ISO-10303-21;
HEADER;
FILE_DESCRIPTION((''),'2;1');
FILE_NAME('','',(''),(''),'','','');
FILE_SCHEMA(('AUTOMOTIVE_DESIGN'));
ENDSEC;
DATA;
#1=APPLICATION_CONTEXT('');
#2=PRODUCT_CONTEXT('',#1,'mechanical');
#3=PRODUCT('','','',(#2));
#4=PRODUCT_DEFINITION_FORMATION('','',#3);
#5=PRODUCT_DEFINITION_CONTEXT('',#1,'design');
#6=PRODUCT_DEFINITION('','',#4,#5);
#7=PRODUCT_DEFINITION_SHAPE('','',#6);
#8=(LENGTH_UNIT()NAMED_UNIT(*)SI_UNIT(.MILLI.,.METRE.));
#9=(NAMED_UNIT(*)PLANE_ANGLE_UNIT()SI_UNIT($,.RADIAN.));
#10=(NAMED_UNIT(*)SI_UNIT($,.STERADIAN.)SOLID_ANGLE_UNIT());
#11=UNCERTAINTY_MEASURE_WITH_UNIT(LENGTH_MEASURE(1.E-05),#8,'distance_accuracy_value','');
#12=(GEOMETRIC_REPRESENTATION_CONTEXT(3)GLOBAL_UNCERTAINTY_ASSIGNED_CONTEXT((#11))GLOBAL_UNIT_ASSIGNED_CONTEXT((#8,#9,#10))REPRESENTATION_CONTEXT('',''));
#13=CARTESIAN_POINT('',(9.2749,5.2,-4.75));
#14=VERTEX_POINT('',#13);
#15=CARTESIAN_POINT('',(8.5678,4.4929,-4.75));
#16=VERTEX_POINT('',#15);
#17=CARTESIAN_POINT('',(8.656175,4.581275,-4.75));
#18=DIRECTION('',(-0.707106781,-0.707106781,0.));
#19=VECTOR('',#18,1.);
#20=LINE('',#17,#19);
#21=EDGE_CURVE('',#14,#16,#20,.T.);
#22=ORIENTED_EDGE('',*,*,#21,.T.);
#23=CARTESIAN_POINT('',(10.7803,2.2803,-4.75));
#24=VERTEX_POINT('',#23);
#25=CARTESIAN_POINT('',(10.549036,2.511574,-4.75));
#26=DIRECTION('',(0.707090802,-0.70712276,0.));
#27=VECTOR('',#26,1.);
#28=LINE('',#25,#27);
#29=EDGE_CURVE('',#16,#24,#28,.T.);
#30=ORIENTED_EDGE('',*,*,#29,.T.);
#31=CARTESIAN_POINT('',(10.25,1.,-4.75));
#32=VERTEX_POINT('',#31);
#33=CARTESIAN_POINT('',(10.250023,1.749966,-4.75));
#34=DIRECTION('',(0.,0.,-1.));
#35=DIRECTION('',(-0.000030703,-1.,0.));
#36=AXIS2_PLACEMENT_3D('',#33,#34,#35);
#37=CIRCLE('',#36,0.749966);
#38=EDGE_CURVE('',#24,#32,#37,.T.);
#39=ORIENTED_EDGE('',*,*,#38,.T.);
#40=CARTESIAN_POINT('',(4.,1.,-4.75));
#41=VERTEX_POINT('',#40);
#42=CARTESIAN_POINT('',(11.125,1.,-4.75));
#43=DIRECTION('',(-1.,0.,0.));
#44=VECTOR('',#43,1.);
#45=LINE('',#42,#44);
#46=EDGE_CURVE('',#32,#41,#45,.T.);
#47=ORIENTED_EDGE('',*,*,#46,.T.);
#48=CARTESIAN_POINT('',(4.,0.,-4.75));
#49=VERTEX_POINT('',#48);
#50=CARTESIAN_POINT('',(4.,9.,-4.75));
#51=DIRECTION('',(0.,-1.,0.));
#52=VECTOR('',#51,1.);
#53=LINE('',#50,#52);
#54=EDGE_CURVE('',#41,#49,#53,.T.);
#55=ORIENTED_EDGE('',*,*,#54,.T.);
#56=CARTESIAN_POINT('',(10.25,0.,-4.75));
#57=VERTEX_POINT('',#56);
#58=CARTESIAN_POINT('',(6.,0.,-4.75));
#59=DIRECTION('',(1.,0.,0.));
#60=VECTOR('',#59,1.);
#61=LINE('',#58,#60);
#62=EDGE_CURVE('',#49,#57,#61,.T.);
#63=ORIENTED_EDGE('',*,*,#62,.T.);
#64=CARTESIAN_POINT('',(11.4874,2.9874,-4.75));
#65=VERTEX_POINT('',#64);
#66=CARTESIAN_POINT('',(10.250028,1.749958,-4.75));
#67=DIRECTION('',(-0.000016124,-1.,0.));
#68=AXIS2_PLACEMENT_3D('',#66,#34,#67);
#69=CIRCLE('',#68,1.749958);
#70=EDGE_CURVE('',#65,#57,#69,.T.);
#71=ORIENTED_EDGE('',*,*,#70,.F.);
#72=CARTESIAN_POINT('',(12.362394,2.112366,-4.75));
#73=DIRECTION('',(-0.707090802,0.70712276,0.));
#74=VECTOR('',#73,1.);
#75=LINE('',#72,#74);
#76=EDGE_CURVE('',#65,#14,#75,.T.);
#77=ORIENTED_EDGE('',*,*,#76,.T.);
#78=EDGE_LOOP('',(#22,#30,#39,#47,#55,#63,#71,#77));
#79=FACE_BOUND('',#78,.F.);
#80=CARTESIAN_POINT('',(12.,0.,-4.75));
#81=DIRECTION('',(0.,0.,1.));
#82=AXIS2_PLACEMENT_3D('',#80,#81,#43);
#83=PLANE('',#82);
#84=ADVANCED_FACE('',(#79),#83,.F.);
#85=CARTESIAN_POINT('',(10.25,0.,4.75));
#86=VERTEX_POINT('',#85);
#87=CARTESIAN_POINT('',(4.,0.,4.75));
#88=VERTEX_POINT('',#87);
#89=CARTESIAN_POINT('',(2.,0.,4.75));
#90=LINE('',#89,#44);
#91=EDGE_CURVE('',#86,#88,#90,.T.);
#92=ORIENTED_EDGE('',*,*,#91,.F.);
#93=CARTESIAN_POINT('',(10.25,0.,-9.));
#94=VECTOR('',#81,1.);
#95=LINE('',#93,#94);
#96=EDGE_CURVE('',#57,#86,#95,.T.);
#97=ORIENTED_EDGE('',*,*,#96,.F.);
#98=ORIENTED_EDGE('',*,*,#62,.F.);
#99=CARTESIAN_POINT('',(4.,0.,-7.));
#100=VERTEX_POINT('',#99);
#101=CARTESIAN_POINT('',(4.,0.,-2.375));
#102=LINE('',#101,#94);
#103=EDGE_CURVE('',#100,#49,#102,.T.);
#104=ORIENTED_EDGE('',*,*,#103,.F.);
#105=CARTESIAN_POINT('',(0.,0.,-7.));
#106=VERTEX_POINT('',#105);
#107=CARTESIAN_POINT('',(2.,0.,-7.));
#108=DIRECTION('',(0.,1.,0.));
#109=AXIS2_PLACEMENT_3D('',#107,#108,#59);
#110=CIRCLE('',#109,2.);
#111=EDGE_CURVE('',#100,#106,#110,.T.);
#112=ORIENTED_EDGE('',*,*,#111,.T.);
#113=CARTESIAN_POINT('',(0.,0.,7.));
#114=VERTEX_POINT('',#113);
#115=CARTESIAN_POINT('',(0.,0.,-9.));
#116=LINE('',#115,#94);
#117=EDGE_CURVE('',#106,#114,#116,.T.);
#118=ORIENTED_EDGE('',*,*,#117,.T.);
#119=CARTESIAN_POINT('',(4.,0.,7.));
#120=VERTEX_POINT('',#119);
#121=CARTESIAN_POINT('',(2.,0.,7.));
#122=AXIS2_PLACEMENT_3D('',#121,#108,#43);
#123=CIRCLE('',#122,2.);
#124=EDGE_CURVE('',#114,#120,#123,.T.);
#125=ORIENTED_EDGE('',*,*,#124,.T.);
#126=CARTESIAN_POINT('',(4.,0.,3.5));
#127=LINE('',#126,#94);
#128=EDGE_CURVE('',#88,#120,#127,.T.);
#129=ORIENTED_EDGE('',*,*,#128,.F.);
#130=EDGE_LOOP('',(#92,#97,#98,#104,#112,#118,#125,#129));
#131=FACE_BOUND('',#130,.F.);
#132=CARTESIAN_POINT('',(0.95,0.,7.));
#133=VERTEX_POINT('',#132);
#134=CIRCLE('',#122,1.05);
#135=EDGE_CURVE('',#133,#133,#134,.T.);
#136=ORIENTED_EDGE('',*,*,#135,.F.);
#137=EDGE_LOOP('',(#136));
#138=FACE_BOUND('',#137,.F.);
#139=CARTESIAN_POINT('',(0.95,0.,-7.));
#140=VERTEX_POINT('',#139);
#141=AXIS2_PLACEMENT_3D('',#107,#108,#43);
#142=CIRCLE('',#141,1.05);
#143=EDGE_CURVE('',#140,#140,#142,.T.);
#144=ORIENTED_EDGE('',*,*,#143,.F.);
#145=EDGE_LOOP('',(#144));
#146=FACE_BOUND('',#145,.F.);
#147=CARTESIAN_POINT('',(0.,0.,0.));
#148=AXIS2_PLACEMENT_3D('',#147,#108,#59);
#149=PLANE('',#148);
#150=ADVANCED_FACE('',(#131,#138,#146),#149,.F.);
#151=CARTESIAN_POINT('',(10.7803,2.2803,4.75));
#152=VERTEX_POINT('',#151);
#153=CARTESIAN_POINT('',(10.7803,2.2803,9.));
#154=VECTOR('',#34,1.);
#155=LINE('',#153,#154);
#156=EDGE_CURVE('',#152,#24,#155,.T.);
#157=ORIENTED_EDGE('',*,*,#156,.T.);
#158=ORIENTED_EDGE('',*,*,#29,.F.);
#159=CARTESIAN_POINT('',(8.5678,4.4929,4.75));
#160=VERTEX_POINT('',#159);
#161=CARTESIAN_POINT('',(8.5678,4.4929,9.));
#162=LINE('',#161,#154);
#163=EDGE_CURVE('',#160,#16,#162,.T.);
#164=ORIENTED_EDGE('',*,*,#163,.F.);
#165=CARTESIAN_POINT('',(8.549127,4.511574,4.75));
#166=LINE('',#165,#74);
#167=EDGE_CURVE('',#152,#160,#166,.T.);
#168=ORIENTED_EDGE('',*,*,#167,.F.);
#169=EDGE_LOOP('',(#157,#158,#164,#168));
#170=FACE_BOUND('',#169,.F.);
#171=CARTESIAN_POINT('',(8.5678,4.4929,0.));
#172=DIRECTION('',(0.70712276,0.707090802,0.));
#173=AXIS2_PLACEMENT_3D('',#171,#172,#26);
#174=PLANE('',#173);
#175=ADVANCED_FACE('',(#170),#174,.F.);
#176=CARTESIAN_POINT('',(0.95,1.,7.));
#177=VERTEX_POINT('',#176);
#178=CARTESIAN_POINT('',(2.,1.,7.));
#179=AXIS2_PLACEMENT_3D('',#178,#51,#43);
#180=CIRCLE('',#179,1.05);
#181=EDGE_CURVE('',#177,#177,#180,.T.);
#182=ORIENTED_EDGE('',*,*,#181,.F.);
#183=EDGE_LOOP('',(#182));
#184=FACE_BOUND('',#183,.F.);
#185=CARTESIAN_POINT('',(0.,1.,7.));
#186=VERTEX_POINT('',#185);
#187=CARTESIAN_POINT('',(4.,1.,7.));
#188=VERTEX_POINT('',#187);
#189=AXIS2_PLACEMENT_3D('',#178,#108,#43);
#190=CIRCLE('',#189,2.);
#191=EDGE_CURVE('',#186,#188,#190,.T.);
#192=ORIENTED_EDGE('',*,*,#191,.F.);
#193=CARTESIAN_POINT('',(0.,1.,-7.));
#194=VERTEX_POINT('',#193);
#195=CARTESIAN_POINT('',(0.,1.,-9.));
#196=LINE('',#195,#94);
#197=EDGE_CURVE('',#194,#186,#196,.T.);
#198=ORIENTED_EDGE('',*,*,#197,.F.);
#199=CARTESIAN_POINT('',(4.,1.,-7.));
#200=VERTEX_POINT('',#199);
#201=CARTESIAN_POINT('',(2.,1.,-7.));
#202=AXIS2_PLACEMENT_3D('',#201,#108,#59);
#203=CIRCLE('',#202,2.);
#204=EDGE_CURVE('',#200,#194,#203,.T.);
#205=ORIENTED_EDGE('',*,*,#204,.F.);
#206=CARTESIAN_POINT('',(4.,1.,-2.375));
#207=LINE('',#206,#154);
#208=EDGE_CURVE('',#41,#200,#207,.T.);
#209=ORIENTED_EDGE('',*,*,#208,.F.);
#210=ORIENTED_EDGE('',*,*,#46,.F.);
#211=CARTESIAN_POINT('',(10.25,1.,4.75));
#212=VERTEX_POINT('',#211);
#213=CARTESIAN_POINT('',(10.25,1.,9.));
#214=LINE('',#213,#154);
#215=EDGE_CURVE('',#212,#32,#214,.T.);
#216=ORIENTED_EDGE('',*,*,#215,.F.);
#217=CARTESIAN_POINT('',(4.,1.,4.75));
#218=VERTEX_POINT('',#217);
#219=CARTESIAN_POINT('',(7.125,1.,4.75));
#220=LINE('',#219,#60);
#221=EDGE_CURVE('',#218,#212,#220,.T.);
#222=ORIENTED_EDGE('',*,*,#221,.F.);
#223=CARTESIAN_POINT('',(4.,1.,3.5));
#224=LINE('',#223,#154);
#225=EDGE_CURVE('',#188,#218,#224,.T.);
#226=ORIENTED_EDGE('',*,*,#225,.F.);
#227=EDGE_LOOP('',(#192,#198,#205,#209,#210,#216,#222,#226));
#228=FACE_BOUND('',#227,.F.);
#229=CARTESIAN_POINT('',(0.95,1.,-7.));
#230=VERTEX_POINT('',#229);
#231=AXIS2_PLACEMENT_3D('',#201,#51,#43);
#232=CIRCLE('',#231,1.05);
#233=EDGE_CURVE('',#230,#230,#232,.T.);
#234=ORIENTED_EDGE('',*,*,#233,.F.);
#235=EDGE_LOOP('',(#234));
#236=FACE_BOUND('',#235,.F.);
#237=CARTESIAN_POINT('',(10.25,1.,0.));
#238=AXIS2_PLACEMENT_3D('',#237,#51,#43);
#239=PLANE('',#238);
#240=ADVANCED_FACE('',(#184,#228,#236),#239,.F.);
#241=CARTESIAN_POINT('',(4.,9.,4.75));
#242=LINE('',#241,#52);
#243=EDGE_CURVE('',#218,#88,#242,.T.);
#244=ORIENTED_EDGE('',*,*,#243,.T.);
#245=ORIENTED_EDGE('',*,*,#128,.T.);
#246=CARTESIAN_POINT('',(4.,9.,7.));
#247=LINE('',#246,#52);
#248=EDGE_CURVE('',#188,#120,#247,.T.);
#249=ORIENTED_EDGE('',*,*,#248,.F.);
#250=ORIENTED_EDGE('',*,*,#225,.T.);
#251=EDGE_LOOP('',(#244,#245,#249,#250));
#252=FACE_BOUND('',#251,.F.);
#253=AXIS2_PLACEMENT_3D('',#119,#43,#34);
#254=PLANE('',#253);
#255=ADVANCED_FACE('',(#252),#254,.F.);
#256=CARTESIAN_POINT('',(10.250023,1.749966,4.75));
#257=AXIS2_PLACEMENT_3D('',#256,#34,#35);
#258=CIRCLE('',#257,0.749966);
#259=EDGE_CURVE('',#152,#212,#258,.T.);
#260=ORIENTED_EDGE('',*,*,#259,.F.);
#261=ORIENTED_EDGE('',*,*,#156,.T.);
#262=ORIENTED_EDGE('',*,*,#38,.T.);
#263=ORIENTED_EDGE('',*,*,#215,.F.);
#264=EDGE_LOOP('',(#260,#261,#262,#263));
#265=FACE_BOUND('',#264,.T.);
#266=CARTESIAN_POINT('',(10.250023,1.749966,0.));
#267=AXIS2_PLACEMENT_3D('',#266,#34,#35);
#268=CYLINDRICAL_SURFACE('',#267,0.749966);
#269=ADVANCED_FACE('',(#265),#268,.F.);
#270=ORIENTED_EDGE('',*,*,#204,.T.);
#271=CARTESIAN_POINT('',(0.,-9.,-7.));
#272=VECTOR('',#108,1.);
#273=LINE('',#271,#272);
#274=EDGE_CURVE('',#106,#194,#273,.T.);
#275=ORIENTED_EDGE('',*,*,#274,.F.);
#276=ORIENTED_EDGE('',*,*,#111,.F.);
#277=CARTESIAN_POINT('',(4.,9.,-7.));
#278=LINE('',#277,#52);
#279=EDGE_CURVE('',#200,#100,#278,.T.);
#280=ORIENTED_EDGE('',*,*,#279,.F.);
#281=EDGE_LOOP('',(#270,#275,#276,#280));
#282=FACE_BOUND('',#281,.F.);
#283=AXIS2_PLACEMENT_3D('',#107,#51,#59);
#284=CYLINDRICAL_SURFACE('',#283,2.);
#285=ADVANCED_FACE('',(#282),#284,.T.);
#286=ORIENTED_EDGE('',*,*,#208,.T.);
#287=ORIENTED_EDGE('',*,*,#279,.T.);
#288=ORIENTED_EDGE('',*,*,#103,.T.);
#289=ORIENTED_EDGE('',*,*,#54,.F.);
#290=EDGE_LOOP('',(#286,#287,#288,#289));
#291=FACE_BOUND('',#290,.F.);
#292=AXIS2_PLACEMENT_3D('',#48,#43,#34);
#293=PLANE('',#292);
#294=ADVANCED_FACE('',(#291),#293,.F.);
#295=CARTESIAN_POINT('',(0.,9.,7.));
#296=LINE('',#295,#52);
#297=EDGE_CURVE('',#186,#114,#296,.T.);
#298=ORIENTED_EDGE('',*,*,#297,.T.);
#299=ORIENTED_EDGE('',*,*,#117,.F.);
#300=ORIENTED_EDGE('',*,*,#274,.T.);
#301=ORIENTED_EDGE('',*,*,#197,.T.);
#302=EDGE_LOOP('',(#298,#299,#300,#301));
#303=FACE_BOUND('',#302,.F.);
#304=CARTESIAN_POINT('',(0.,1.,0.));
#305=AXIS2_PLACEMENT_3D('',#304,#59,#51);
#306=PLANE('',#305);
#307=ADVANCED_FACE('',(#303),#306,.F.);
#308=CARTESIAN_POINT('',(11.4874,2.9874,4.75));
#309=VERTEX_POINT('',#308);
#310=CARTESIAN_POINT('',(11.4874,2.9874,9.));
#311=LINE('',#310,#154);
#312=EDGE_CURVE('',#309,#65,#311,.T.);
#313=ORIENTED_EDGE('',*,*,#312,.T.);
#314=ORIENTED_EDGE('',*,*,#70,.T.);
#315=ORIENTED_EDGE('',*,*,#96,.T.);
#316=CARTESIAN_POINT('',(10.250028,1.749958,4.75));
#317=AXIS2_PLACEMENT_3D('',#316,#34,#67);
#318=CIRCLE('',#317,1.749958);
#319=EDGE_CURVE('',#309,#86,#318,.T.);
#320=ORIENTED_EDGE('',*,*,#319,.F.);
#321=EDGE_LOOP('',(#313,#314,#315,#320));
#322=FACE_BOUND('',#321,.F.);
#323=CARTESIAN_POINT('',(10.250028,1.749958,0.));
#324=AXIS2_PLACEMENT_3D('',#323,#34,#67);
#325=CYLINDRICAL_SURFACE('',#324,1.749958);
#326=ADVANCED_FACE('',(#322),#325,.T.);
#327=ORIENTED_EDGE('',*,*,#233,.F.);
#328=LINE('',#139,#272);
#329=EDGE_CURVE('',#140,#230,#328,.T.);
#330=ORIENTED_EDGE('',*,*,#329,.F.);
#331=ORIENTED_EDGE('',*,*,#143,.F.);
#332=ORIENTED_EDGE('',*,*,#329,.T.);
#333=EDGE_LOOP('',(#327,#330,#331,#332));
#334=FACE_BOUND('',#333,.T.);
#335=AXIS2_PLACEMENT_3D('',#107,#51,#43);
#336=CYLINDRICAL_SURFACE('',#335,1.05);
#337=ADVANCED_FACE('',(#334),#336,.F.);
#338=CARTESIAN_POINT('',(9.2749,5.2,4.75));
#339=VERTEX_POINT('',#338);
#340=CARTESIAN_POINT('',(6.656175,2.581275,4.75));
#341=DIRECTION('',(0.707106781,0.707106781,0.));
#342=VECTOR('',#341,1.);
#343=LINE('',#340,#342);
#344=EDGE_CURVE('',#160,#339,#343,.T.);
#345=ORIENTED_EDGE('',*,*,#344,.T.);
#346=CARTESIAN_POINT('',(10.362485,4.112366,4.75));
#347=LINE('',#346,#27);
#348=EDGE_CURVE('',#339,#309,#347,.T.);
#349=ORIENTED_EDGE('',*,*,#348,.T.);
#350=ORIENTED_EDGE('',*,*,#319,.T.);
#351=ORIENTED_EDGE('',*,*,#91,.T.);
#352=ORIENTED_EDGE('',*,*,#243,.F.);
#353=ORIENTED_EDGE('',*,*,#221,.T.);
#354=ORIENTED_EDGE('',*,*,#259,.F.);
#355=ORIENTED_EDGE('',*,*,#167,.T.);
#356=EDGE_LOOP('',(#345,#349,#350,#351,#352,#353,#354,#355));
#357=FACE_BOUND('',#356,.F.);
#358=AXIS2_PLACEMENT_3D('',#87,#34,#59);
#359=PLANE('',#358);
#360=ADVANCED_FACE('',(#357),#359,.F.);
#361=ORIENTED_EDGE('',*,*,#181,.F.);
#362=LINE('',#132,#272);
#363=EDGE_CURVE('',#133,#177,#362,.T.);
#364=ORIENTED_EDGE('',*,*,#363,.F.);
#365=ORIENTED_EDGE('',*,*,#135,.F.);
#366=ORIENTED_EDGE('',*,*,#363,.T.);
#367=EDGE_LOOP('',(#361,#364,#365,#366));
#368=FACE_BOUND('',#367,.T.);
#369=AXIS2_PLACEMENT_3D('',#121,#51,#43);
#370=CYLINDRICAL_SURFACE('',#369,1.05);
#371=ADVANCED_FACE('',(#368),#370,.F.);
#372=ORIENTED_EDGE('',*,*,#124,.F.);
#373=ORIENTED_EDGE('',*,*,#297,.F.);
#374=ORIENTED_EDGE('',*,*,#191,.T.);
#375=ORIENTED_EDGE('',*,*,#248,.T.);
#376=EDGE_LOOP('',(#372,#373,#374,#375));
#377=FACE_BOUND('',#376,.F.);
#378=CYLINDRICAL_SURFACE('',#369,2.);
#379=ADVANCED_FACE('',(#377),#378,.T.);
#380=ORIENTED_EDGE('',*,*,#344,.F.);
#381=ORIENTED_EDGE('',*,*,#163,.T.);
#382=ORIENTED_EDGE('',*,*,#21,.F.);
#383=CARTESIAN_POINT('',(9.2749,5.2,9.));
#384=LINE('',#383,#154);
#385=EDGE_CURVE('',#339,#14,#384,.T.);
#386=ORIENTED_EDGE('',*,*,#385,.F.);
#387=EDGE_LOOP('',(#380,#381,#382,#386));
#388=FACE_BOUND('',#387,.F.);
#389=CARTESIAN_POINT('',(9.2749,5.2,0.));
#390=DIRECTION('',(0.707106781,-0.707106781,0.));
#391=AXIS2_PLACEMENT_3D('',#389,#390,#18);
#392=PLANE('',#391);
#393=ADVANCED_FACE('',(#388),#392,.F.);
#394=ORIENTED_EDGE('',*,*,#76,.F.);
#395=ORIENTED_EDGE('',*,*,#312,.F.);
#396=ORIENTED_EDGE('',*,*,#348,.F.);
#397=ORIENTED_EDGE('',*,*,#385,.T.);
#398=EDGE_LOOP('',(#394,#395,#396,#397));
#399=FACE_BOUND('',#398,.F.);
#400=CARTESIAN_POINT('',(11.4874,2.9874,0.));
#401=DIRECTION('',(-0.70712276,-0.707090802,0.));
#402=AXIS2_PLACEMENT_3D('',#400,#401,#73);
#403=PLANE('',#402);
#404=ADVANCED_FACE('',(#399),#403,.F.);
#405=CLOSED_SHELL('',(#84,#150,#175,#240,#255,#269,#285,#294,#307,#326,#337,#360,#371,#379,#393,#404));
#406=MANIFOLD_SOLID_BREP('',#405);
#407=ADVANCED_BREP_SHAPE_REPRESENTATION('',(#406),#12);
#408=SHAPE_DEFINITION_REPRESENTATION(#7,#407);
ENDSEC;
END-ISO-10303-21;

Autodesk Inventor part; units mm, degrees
sketch "Sketch_1" plane through (0, 0, 0) normal (0, 0, 1) x (1, 0, 0)
  line L0 (0, 1) -> (0, 0)
  line L1 (0, 0) -> (10.25, 0)
  arc A0 (10.25, 0) -> (11.4874, 2.9874) centre (10.25, 1.75) ccw
  line L2 (11.4874, 2.9874) -> (9.2749, 5.2)
  line L3 (9.2749, 5.2) -> (8.5678, 4.4929)
  line L4 (8.5678, 4.4929) -> (10.7803, 2.2803)
  arc A1 (10.25, 1) -> (10.7803, 2.2803) centre (10.25, 1.75) ccw
  line L5 (10.25, 1) -> (0, 1)
extrude "Extrusion1" add sketch "Sketch_1" along normal mid plane 18
sketch "Sketch_2" plane through (0, 0, 0) normal (0, 1, 0) x (-1, 0, 0)
  line L0 (2, 11) -> (-16, 11)
  line L1 (-16, 11) -> (-16, -12)
  line L2 (-16, -12) -> (2, -12)
  line L3 (2, -12) -> (2, 11)
  line L4 (0, -7) -> (0, 7)
  arc A0 (0, 7) -> (-4, 7) centre (-2, 7) ccw
  line L5 (-4, 7) -> (-4, 4.75)
  line L6 (-4, 4.75) -> (-12, 4.75)
  line L7 (-12, 4.75) -> (-12, -4.75)
  line L8 (-12, -4.75) -> (-4, -4.75)
  line L9 (-4, -4.75) -> (-4, -7)
  arc A1 (-4, -7) -> (0, -7) centre (-2, -7) ccw
extrude "Extrusion2" cut sketch "Sketch_2" along normal mid plane 18
sketch "Sketch_3" plane through (0, 0, 0) normal (0, 1, 0) x (-1, 0, 0)
  circle A0 centre (-2, -7) radius 1.05
extrude "Extrusion3" cut sketch "Sketch_3" along normal mid plane 18
sketch "Sketch_4" plane through (0, 0, 0) normal (0, 1, 0) x (-1, 0, 0)
  circle A0 centre (-2, 7) radius 1.05
extrude "Extrusion4" cut sketch "Sketch_4" along normal mid plane 18
ref_plane "C_XY" through (10.1565, 1.75, 0) normal (0, 0, 1) x (1, 0, 0)
ref_plane "C_YZ" through (10.1565, 1.75, 0) normal (1, 0, 0) x (0, 1, 0)
ref_plane "C_ZX" through (10.1565, 1.75, 0) normal (0, 1, 0) x (0, 0, 1)
properties part number "PKWS1_s"
